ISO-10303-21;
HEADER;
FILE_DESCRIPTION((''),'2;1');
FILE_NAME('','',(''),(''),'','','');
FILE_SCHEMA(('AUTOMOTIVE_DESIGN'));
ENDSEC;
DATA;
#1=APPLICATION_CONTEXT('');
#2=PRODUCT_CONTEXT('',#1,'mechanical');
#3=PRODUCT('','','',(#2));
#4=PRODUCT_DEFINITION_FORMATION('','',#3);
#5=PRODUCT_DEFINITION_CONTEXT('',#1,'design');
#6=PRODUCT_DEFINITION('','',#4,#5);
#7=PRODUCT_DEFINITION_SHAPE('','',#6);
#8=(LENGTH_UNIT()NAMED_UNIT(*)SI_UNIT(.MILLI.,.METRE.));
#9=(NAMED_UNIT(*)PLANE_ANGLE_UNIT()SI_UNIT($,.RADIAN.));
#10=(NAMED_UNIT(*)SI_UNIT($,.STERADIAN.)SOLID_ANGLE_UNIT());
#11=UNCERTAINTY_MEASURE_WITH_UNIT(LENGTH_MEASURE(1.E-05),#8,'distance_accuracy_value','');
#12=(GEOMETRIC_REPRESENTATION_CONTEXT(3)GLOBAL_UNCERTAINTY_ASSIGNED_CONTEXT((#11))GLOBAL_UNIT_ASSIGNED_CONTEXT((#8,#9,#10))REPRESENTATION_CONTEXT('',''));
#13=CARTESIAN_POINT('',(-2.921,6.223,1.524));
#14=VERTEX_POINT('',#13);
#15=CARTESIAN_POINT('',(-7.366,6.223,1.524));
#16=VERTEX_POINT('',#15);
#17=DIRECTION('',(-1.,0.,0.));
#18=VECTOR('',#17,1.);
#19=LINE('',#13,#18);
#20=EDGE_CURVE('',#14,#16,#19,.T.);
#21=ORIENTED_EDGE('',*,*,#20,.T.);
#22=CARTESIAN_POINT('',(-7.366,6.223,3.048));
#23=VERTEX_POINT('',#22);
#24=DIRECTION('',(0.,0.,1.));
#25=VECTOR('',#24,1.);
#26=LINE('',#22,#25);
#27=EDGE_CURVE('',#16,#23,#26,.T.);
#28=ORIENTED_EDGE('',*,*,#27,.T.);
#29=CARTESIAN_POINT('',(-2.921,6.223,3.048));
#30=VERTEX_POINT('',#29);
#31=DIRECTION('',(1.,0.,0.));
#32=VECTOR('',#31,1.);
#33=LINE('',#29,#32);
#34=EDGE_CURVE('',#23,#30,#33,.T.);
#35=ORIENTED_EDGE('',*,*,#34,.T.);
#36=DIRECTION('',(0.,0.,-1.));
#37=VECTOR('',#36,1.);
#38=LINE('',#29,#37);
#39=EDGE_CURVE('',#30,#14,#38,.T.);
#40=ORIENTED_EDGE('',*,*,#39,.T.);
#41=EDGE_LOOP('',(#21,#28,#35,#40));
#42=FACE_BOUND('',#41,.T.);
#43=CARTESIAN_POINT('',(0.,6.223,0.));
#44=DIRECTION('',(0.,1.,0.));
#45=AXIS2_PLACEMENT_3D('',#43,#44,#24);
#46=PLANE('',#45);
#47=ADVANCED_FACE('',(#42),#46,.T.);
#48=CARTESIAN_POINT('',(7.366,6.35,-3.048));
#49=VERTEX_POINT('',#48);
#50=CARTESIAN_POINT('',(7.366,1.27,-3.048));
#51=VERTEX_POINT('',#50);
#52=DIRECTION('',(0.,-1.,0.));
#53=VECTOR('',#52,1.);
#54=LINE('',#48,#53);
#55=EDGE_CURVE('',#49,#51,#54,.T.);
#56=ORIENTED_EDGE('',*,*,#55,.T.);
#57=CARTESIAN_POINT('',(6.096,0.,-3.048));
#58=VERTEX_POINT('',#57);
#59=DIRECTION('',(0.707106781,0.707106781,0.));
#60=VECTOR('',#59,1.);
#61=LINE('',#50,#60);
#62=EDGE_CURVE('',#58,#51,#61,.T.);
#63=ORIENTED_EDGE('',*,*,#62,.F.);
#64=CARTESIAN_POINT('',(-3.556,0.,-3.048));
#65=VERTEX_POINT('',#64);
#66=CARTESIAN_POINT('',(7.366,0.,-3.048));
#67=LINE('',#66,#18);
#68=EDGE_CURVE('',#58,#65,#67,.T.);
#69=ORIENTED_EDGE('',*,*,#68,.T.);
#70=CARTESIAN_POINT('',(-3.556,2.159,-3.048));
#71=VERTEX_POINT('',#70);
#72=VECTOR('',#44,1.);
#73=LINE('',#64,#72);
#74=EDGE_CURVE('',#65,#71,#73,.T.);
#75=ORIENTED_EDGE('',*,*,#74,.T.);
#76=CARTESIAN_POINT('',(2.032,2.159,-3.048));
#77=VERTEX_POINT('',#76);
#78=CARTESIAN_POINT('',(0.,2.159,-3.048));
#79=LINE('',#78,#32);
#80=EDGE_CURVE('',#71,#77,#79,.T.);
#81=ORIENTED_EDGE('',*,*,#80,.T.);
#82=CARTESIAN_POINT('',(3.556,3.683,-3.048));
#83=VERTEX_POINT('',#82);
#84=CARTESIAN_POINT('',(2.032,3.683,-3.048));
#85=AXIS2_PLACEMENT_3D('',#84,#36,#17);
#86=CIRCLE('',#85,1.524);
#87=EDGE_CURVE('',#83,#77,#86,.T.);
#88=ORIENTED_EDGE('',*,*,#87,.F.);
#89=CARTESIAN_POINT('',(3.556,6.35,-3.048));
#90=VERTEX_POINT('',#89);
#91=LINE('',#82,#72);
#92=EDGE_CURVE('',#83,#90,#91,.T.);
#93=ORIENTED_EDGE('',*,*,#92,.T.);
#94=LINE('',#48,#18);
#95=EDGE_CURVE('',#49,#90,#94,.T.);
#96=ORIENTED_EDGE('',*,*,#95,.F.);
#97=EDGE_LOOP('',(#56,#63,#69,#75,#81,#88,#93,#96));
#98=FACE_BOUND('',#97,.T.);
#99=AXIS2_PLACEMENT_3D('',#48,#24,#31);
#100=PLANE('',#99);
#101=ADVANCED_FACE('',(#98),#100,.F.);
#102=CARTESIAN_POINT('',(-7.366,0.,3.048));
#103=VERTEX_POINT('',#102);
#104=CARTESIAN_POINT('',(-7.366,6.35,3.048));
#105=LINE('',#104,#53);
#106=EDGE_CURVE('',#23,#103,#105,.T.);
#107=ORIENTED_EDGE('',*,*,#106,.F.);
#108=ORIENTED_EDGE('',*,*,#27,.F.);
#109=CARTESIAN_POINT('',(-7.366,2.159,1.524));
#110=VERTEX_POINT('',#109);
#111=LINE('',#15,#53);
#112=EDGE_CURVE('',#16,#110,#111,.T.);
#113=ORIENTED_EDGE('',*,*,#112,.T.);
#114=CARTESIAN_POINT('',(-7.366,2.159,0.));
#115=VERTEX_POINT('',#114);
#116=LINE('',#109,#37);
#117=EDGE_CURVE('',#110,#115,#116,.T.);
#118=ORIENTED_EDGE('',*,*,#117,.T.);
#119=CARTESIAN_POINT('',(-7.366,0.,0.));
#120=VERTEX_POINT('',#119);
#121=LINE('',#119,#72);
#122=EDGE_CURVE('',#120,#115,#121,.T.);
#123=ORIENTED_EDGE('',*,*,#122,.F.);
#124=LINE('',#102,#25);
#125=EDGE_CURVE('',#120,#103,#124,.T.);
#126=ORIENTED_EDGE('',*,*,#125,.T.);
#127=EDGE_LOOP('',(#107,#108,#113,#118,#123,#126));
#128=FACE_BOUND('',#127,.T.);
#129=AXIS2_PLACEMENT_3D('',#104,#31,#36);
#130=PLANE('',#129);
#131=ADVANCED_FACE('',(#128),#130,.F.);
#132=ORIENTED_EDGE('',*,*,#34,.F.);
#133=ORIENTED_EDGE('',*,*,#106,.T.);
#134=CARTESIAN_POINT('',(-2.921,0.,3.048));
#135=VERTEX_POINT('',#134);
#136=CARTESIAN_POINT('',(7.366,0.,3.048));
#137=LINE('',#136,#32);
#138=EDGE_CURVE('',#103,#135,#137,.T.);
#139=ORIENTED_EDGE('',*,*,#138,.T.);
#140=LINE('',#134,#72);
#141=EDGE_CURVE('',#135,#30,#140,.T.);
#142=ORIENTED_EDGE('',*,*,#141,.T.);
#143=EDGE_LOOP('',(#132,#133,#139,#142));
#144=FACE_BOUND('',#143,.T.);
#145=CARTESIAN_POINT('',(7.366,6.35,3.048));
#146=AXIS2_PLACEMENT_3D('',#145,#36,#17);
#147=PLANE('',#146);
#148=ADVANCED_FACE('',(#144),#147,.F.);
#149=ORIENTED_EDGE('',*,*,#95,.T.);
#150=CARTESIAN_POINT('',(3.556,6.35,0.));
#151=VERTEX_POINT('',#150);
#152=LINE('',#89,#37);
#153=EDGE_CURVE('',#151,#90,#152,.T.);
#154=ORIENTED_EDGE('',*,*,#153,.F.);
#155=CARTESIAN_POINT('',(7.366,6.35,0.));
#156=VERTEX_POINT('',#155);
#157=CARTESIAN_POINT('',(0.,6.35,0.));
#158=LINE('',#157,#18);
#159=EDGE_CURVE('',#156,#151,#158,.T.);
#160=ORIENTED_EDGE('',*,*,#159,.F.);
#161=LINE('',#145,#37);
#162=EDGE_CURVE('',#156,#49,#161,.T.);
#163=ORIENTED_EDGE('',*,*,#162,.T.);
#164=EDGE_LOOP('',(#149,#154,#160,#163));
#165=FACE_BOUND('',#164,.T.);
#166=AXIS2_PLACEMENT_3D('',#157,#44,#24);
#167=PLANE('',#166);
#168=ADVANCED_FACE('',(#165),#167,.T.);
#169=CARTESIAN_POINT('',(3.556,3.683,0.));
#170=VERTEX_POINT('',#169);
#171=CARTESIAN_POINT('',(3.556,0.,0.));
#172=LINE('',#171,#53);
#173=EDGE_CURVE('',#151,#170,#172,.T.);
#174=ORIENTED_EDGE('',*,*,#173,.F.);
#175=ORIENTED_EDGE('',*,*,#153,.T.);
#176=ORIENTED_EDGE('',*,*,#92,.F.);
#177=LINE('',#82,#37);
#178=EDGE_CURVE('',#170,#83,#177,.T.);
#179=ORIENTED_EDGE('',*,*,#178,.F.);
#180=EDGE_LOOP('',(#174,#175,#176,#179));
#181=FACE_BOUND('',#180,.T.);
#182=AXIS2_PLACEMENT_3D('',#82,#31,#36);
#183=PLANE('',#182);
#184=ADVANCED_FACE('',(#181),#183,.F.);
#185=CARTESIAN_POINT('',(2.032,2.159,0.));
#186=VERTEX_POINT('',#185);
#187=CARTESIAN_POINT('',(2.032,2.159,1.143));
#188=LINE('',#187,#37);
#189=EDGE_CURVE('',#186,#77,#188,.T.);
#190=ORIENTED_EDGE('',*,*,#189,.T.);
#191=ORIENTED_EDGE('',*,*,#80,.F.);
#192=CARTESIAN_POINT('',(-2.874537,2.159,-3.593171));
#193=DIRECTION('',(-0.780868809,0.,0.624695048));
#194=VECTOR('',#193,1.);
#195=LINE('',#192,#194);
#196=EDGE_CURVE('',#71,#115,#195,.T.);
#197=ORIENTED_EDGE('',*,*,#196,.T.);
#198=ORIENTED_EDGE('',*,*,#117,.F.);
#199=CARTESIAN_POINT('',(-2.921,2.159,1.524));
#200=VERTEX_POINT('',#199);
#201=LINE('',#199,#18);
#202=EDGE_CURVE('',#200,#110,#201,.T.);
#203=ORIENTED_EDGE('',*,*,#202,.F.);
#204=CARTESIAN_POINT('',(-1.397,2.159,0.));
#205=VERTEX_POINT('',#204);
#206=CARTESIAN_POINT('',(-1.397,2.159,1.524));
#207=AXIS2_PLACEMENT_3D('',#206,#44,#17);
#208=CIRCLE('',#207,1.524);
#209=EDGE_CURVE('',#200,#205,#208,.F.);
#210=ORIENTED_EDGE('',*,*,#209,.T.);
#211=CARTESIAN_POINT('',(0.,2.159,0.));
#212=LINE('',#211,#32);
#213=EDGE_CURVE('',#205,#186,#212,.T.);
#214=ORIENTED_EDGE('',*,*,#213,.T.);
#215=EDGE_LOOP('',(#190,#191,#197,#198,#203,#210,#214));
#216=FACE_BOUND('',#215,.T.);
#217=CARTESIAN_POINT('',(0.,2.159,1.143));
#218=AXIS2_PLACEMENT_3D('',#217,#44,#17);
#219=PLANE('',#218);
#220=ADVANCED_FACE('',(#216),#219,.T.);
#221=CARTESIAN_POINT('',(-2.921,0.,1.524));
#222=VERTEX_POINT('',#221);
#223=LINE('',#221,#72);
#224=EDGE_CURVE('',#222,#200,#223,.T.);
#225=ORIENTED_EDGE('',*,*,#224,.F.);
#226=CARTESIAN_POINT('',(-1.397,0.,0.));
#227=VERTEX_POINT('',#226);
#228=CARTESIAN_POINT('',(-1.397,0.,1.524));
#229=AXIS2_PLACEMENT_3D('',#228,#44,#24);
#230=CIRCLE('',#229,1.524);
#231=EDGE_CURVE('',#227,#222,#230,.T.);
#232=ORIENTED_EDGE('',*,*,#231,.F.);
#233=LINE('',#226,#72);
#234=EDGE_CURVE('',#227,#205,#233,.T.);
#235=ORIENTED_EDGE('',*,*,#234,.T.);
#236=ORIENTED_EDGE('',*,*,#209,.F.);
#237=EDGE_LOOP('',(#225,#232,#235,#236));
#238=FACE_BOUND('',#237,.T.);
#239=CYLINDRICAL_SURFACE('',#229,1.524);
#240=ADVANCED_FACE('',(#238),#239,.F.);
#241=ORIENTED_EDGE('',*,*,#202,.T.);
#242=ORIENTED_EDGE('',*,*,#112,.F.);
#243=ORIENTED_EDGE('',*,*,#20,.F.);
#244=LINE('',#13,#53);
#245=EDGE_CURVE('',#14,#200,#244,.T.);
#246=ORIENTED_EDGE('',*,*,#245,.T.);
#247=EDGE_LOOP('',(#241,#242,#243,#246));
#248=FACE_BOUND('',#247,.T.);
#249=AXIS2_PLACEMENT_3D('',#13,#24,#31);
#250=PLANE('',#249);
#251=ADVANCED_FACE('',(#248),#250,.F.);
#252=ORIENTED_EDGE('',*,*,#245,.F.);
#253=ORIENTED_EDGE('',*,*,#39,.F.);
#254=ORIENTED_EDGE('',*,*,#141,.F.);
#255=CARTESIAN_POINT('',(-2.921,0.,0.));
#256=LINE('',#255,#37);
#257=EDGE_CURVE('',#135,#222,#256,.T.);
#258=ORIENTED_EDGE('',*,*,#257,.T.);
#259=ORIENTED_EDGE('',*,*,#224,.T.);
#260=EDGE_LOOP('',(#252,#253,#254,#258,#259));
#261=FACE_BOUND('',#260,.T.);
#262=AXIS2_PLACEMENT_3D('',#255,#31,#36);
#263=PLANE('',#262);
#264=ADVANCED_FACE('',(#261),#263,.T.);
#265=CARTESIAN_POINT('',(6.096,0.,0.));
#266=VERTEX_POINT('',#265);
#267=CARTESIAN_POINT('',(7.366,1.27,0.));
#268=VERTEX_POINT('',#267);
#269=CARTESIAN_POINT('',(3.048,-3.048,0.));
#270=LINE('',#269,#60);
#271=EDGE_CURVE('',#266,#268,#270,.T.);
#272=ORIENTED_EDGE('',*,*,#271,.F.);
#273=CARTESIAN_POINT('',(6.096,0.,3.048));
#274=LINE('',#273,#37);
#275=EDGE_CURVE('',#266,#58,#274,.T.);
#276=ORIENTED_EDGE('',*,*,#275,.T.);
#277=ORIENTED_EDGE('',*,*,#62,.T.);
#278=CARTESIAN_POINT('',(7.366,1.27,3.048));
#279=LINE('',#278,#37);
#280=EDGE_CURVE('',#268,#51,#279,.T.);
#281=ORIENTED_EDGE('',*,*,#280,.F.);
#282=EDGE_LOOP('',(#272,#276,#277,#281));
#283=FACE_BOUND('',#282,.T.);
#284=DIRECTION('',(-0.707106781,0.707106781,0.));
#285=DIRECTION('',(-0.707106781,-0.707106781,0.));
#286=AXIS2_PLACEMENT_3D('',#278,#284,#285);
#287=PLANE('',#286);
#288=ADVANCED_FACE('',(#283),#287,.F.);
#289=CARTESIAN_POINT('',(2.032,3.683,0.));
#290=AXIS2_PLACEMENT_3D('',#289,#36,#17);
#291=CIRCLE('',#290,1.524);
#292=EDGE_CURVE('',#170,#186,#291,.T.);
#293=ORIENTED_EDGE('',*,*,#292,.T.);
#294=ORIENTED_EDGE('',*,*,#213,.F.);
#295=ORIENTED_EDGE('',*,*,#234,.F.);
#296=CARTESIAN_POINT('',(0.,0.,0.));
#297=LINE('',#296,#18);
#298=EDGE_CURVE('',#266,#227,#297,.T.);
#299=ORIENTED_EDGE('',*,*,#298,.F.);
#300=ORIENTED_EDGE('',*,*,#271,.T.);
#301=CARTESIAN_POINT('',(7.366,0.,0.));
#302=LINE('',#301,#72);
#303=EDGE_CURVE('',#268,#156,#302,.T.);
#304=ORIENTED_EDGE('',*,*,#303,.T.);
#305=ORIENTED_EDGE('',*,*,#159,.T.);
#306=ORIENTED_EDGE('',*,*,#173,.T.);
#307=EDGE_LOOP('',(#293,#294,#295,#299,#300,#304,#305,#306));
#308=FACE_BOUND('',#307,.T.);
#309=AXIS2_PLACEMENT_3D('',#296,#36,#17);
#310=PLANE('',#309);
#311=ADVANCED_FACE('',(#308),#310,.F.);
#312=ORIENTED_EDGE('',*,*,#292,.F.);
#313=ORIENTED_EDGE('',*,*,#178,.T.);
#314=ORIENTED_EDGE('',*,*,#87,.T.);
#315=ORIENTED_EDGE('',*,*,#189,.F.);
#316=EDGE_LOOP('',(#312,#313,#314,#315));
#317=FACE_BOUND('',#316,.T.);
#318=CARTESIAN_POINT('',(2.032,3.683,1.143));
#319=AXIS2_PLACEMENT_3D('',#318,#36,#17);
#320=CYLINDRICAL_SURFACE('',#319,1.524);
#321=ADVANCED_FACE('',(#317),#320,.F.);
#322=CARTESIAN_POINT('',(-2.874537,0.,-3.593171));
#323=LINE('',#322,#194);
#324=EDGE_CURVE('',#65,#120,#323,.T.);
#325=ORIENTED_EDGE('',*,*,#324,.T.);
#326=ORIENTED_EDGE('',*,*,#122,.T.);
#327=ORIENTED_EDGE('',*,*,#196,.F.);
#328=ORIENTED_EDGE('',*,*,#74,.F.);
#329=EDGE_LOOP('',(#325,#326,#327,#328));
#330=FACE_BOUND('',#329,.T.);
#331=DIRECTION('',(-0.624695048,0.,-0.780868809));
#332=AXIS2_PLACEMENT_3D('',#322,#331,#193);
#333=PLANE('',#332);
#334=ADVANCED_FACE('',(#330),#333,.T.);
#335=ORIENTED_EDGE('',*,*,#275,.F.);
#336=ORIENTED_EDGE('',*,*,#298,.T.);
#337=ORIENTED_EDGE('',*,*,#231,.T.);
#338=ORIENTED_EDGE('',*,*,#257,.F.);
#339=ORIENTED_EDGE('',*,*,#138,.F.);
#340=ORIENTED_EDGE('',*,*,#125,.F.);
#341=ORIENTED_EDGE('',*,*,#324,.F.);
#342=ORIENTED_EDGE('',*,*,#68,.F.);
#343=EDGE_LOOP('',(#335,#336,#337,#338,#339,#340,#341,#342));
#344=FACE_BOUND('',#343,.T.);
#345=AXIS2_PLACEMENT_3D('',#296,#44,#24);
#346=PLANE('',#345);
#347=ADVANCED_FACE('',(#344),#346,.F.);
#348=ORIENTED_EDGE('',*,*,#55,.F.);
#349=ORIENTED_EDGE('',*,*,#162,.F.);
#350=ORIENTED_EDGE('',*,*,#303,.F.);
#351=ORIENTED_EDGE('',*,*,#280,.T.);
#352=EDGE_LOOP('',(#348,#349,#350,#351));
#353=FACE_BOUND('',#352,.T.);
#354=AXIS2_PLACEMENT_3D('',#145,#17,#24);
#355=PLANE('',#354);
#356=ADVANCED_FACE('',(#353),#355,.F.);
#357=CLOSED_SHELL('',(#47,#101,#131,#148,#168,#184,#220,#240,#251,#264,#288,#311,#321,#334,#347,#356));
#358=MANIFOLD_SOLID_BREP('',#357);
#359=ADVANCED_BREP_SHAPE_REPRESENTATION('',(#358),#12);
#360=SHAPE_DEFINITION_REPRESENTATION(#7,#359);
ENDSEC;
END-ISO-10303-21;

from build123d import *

# Parameters (mm, degrees)
SKETCH1_W           = 14.732
SKETCH1_H           = 6.096
BOSS_EXTRUDE1_DEPTH = 6.35
CUT_EXTRUDE2_DEPTH  = 7.35
SKETCH3_W           = 10.922
SKETCH3_H           = 6.096
CUT_EXTRUDE1_DEPTH  = 2.667
CUT_EXTRUDE3_DEPTH  = 4.683
SKETCH9_W           = 4.445
SKETCH9_H           = 1.524
BOSS_EXTRUDE2_DEPTH = 2.54
CUT_EXTRUDE4_DEPTH  = 7.096
CUT_EXTRUDE5_DEPTH  = 4.191
SKETCH15_W          = 0.048393345
SKETCH15_H          = 1.524
CUT_EXTRUDE10_DEPTH = 2.905
SKETCH13_W          = 4.445
SKETCH13_H          = 1.524
CUT_EXTRUDE11_DEPTH = 4.572


with BuildPart() as part:
    # Sketch1 → Boss-Extrude1 (new body)
    with BuildSketch(Plane(origin=(0, 0, 0), x_dir=(1, 0, 0), z_dir=(0, 1, 0))):
        Rectangle(SKETCH1_W, SKETCH1_H)
    extrude(amount=BOSS_EXTRUDE1_DEPTH)

    # Sketch4 → Cut-Extrude2 (cut, through all)
    with BuildSketch(Plane(origin=(0, 6.35, 0), x_dir=(1, 0, 0), z_dir=(0, 1, 0))):
        with BuildLine():
            Line((7.366, 0), (-1.397, 0))
            ThreePointArc((-1.397, 0), (-0.319369265, -0.446369265), (0.127, -1.524))
            ThreePointArc((0.127, -1.524), (-0.319369265, -2.601630735), (-1.397, -3.048))
            Line((-1.397, -3.048), (7.366, -3.048))
            Line((7.366, -3.048), (7.366, 0))
        make_face()
        with BuildLine():
            ThreePointArc((0.127, -1.524), (-0.319369265, -0.446369265), (-1.397, 0))
            Line((-1.397, 0), (-1.397, -3.048))
            ThreePointArc((-1.397, -3.048), (-0.319369265, -2.601630735), (0.127, -1.524))
        make_face()
        with BuildLine():
            Line((-1.397, -3.048), (-1.397, 0))
            ThreePointArc((-1.397, 0), (-2.474630735, -0.446369265), (-2.921, -1.524))
            ThreePointArc((-2.921, -1.524), (-2.474630735, -2.601630735), (-1.397, -3.048))
        make_face()
        with BuildLine():
            ThreePointArc((-1.397, -3.048), (-2.474630735, -2.601630735), (-2.921, -1.524))
            Line((-2.921, -1.524), (-2.921, -3.048))
            Line((-2.921, -3.048), (-1.397, -3.048))
        make_face()
    extrude(amount=-CUT_EXTRUDE2_DEPTH, mode=Mode.SUBTRACT)

    # Sketch3 → Cut-Extrude1 (cut)
    with BuildSketch(Plane(origin=(0, 6.35, 0), x_dir=(1, 0, 0), z_dir=(0, 1, 0))):
        with Locations((-1.905, 0)):
            Rectangle(SKETCH3_W, SKETCH3_H)
    extrude(amount=-CUT_EXTRUDE1_DEPTH, mode=Mode.SUBTRACT)

    # Sketch8 → Cut-Extrude3 (cut, through all)
    with BuildSketch(Plane(origin=(0, 3.683, 0), x_dir=(1, 0, 0), z_dir=(0, 1, 0))):
        Polygon((-7.366, 0), (-3.556, 3.048), (-7.366, 3.048), align=None)
    extrude(amount=-CUT_EXTRUDE3_DEPTH, mode=Mode.SUBTRACT)

    # Sketch9 → Boss-Extrude2 (add)
    with BuildSketch(Plane(origin=(0, 3.683, 0), x_dir=(1, 0, 0), z_dir=(0, 1, 0))):
        with Locations((-5.1435, -2.286)):
            Rectangle(SKETCH9_W, SKETCH9_H)
    extrude(amount=BOSS_EXTRUDE2_DEPTH)

    # Sketch10 → Cut-Extrude4 (cut, through all)
    with BuildSketch(Plane(origin=(0, 0, -3.048), x_dir=(-1, 0, 0), z_dir=(0, 0, -1))):
        Polygon((-7.366, 1.27), (-6.096, 0), (-7.366, 0), align=None)
    extrude(amount=-CUT_EXTRUDE4_DEPTH, mode=Mode.SUBTRACT)

    # Sketch12 → Cut-Extrude5 (cut)
    with BuildSketch(Plane(origin=(0, 0, -3.048), x_dir=(-1, 0, 0), z_dir=(0, 0, -1))):
        with BuildLine():
            ThreePointArc((-3.556, 3.683), (-3.109630735, 2.605369265), (-2.032, 2.159))
            Line((-2.032, 2.159), (2.921, 2.159))
            Line((2.921, 2.159), (2.921, 3.683))
            Line((2.921, 3.683), (-3.556, 3.683))
        make_face()
    extrude(amount=-CUT_EXTRUDE5_DEPTH, mode=Mode.SUBTRACT)

    # Sketch15 → Cut-Extrude10 (cut, through all)
    with BuildSketch(Plane(origin=(0, 0, 1.143), x_dir=(-1, 0, 0), z_dir=(0, 0, -1))):
        with Locations((2.896803328, 2.921)):
            Rectangle(SKETCH15_W, SKETCH15_H)
    extrude(amount=-CUT_EXTRUDE10_DEPTH, mode=Mode.SUBTRACT)

    # Sketch13 → Cut-Extrude11 (cut)
    with BuildSketch(Plane(origin=(0, 0, -3.048), x_dir=(-1, 0, 0), z_dir=(0, 0, -1))):
        with Locations((5.1435, 2.921)):
            Rectangle(SKETCH13_W, SKETCH13_H)
    extrude(amount=-CUT_EXTRUDE11_DEPTH, mode=Mode.SUBTRACT)


solid = part.part
